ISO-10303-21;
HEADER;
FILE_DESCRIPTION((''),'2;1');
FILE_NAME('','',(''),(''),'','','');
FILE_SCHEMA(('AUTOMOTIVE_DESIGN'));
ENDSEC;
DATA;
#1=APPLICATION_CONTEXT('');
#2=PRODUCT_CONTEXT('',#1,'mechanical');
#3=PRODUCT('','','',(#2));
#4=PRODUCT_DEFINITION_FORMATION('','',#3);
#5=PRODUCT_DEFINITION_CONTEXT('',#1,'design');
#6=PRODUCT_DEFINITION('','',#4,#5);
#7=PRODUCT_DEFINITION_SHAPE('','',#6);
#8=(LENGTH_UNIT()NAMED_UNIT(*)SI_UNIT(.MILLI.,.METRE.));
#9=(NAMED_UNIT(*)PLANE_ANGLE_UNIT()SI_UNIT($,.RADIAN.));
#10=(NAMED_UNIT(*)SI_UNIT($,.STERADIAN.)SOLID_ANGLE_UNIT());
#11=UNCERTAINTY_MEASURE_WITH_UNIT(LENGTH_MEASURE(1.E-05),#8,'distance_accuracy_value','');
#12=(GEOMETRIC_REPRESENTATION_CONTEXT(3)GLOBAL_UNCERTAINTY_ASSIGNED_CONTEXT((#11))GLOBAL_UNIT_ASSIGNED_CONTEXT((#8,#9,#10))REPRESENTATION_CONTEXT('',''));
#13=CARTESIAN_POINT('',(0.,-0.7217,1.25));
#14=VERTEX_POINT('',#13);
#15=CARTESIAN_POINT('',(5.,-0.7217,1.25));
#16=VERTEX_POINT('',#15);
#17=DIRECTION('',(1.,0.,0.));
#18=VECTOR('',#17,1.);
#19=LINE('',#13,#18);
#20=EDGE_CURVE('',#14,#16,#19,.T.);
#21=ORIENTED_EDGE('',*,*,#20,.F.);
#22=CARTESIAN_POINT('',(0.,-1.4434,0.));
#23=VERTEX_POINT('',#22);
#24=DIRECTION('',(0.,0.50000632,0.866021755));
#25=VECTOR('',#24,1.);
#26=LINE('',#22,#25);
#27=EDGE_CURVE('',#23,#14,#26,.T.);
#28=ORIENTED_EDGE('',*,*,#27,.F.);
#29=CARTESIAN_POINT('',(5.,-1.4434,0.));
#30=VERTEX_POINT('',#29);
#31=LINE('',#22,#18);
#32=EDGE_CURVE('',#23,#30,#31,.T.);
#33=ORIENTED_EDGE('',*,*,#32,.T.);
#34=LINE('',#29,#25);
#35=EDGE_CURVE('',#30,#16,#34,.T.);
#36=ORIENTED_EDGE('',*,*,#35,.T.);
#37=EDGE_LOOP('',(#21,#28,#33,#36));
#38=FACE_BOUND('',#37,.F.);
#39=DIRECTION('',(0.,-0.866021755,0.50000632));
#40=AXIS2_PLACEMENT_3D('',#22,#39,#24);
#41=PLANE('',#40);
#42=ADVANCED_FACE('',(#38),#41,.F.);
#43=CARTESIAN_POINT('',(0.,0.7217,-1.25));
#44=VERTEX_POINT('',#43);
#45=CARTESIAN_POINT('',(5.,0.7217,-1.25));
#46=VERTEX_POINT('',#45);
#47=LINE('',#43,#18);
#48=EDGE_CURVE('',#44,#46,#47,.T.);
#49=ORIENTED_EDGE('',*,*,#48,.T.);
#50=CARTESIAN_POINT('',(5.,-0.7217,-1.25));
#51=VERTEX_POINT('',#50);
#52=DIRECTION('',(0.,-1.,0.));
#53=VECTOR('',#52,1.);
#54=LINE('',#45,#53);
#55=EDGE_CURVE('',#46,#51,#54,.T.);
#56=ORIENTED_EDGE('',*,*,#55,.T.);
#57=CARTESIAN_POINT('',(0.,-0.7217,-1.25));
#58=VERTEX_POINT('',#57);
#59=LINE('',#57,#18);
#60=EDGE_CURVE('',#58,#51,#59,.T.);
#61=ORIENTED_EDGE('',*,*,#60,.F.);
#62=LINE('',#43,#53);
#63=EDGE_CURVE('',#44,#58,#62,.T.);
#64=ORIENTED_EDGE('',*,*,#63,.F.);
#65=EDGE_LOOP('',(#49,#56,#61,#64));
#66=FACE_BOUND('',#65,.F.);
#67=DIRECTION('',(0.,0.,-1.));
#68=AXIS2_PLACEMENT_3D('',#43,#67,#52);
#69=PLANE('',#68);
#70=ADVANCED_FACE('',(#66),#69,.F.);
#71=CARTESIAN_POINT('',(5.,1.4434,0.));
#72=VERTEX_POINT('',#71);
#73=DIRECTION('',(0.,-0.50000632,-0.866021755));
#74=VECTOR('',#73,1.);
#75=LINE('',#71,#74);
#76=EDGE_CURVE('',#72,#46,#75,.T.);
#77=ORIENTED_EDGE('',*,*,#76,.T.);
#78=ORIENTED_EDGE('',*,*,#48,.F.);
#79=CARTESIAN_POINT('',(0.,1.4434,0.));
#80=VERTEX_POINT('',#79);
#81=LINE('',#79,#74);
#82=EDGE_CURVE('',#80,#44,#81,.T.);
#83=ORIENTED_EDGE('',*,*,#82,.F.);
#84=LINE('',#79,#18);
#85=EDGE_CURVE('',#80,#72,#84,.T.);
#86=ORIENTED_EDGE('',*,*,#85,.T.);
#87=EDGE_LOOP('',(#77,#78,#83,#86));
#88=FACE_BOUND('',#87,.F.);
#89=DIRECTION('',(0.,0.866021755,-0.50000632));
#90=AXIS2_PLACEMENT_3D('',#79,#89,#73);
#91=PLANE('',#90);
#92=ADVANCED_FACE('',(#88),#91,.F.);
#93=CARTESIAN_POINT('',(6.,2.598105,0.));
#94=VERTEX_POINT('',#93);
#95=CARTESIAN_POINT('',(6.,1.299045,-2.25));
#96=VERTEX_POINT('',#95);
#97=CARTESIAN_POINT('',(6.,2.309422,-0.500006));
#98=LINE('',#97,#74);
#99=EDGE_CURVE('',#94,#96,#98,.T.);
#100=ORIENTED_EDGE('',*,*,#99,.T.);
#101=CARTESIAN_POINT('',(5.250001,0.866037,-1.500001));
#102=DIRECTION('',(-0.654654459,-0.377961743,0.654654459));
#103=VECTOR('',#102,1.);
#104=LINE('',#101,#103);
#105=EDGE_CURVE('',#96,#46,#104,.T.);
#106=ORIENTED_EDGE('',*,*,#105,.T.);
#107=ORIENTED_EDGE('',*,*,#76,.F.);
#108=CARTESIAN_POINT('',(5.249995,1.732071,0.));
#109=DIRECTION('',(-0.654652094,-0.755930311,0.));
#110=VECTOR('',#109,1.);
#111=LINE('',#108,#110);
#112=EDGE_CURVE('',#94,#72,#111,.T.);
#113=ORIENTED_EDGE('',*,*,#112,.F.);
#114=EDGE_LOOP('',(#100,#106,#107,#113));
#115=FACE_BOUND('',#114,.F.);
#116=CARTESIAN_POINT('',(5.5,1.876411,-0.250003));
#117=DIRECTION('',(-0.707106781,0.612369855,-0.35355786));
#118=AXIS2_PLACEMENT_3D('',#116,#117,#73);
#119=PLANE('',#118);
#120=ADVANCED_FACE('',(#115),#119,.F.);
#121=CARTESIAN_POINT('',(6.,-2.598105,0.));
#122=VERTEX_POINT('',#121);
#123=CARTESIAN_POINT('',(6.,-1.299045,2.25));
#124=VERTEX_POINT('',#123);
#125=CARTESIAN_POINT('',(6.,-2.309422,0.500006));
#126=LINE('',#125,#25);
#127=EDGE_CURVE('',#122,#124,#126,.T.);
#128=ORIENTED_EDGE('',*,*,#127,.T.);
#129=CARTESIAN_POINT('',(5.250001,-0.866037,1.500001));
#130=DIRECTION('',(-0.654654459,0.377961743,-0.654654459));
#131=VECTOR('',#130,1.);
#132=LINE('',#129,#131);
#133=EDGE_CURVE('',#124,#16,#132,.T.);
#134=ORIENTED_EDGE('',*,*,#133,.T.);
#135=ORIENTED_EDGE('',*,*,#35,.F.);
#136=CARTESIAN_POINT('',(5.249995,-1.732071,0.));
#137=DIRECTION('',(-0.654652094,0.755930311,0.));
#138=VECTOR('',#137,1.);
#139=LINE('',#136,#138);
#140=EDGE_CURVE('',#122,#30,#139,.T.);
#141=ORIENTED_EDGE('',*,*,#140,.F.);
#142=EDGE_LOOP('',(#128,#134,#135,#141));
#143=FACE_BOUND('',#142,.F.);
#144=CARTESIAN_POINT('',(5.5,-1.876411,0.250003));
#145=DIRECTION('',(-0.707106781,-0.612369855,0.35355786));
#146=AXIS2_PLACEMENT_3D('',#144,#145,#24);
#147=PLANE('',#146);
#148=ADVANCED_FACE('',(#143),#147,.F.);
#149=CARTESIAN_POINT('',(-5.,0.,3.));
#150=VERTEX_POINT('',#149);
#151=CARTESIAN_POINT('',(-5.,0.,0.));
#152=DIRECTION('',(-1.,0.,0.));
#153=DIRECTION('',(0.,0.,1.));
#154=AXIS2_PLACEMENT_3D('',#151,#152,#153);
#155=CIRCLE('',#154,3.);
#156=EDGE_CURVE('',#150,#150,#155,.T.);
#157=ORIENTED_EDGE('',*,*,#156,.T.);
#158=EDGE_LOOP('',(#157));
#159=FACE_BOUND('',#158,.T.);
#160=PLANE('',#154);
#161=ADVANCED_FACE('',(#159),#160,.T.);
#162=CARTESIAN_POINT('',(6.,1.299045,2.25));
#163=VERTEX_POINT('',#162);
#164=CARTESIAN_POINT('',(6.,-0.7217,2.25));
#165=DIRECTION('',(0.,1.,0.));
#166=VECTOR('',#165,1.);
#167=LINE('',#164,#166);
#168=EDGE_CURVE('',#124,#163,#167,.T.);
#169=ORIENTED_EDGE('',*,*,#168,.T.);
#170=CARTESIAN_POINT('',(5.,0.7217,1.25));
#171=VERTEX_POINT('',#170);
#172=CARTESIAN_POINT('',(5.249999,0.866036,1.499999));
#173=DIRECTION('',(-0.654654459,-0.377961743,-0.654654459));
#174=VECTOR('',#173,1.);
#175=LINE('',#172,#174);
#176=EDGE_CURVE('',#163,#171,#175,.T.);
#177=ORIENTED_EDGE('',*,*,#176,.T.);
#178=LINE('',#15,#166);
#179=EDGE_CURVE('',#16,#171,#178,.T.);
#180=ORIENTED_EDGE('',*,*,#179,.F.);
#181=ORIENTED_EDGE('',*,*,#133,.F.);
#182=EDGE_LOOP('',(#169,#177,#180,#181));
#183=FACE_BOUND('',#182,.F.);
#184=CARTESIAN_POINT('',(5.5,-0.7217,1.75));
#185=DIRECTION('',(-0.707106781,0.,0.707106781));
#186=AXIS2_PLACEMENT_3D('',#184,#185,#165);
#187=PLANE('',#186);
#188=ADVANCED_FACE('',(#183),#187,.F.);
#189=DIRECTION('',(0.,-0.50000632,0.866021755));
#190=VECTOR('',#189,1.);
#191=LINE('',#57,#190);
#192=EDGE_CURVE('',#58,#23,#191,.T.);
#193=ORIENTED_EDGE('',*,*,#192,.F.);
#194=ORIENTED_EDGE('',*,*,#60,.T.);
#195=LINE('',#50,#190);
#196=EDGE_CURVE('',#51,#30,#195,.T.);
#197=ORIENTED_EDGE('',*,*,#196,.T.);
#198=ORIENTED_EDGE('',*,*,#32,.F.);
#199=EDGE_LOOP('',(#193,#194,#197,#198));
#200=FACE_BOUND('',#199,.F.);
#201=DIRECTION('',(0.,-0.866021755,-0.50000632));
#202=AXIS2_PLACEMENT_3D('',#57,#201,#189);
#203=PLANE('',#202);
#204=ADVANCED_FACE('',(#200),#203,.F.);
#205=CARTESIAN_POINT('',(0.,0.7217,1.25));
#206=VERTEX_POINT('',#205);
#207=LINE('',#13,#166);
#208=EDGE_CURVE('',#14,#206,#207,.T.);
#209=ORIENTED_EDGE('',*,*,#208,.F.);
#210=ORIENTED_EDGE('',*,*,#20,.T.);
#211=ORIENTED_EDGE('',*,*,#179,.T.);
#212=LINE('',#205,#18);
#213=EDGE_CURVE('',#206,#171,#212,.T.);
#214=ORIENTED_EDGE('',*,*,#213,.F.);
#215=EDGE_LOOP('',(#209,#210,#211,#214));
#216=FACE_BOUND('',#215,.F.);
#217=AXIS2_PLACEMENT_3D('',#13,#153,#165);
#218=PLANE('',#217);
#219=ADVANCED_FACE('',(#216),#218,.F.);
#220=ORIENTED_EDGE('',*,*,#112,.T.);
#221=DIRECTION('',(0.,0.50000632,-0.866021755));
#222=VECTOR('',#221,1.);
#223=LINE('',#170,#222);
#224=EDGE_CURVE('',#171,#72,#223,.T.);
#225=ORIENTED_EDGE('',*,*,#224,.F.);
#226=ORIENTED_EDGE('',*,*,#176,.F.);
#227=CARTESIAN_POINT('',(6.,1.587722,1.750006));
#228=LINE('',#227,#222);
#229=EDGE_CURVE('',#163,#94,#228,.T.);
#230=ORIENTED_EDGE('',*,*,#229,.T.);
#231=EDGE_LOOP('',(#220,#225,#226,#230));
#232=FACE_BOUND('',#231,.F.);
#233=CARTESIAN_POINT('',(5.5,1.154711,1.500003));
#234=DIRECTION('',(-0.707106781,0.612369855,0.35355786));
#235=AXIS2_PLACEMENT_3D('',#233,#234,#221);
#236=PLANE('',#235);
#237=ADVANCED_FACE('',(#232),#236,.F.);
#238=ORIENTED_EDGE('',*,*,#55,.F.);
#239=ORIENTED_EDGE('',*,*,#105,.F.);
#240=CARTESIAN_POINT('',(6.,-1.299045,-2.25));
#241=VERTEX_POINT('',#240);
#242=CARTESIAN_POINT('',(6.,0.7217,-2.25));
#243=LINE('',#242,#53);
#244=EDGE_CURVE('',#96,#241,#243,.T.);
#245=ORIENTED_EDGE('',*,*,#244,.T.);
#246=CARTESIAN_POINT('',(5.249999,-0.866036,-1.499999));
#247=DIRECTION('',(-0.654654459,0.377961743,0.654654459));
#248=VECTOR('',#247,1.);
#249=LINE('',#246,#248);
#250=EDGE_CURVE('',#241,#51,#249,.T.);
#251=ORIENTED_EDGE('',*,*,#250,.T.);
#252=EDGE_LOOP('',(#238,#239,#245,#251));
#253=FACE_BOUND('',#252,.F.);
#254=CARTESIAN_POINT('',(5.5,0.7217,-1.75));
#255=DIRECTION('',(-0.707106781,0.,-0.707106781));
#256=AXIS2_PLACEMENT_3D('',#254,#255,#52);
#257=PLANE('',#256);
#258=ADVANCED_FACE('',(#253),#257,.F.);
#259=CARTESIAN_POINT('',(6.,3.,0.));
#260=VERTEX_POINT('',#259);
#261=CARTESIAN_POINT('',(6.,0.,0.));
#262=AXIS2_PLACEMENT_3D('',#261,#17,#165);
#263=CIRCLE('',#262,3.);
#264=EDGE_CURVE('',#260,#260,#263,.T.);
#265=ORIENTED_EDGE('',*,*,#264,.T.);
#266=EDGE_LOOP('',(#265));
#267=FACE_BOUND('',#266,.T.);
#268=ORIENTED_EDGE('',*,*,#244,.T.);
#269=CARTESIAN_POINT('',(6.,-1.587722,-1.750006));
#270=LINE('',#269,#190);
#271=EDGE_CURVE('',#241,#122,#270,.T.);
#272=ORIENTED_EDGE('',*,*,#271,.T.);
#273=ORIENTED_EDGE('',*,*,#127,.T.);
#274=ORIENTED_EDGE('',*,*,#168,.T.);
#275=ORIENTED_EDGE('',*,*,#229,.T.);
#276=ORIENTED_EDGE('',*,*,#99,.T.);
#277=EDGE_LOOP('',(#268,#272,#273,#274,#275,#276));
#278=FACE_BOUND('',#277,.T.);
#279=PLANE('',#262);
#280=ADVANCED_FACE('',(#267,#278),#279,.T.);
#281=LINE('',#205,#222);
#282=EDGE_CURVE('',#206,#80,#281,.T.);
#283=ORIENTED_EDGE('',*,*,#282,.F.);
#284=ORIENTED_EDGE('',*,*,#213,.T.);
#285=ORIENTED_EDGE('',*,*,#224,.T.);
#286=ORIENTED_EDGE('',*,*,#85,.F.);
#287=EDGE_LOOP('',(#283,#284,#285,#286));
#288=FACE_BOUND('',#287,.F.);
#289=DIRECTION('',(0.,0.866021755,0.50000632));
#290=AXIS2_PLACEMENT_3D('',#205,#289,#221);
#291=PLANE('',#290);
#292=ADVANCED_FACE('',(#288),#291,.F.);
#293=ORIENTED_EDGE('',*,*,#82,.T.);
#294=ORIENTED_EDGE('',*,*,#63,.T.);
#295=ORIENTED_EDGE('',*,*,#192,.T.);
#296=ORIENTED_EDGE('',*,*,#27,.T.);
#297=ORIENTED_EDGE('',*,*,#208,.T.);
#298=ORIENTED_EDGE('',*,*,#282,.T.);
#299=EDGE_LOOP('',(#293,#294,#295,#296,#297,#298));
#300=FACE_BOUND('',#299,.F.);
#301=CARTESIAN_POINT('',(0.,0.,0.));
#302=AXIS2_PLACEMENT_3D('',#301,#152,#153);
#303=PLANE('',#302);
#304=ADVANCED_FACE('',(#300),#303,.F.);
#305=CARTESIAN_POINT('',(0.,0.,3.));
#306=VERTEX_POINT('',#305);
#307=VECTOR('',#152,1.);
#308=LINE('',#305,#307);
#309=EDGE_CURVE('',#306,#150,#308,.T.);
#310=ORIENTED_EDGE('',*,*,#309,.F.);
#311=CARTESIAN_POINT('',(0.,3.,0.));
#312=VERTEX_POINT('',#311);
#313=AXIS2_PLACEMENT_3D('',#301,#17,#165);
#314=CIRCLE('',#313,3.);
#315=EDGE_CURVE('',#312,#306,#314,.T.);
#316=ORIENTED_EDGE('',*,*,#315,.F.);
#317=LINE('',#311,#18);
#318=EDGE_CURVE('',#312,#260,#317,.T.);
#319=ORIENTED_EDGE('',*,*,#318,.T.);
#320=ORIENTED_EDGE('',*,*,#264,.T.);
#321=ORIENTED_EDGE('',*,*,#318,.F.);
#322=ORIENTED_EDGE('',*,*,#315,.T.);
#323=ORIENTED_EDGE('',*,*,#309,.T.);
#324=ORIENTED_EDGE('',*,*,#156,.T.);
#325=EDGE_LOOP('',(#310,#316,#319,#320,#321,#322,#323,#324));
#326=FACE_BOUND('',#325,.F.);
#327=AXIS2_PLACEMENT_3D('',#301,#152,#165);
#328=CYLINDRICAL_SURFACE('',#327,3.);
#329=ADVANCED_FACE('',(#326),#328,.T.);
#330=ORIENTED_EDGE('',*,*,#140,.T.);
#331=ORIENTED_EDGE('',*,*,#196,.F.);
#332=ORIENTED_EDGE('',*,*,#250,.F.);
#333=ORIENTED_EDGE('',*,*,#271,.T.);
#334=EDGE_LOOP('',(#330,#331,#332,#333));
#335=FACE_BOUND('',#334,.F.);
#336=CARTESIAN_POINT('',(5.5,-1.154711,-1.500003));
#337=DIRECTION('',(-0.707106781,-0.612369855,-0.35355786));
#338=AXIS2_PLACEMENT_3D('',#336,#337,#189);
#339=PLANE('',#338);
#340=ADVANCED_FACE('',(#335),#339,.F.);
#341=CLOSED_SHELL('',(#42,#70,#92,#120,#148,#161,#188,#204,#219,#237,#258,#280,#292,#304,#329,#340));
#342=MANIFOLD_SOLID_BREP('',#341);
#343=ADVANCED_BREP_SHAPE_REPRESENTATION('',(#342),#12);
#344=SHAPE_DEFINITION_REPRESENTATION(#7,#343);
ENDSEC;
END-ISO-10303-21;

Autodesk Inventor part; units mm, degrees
ref_plane "YZ Plane" through (0, 0, 0) normal (1, 0, 0) x (0, 1, 0)
ref_plane "XZ Plane" through (0, 0, 0) normal (0, 1, 0) x (-1, 0, 0)
ref_plane "XY Plane" through (0, 0, 0) normal (0, 0, 1) x (1, 0, 0)
sketch "Skizze1" plane through (0, 0, 0) normal (1, 0, 0) x (0, 1, 0)
  circle A0 centre (0, 0) radius 3
  line L0 (1.4434, 0) -> (0.7217, -1.25)
  line L1 (0.7217, -1.25) -> (-0.7217, -1.25)
  line L2 (-0.7217, -1.25) -> (-1.4434, 0)
  line L3 (-1.4434, 0) -> (-0.7217, 1.25)
  line L4 (-0.7217, 1.25) -> (0.7217, 1.25)
  line L5 (0.7217, 1.25) -> (1.4434, 0)
  point P0 (0, -1.25)
  point P1 (0, 1.25)
  dimension "d0" = 6
  dimension "d1" = 2.5
extrude "Extrusion1" add sketch "Skizze1" along normal blind 6
sketch "Skizze2" plane through (0, 0, 0) normal (-1, 0, 0) x (0, 0, 1)
  circle A0 centre (0, 0) radius 3 projected
  line L0 (0, 1.4434) -> (-1.25, 0.7217) projected
  line L1 (1.25, 0.7217) -> (0, 1.4434) projected
  line L2 (1.25, -0.7217) -> (1.25, 0.7217) projected
  line L3 (0, -1.4434) -> (1.25, -0.7217) projected
  line L4 (-1.25, -0.7217) -> (0, -1.4434) projected
  line L5 (-1.25, 0.7217) -> (-1.25, -0.7217) projected
  circle A1 centre (0, 0) radius 3
extrude "Extrusion2" add sketch "Skizze2" along normal blind 5 contours A0 | L1 L2 L3 L4 L5 L0
chamfer "Fase1" distance 1 angle 45 6 edges at (6, 1.0825, 0.625) (6, 1.0825, -0.625) (6, 0, -1.25) (6, -1.0825, -0.625) (6, -1.0825, 0.625) (6, 0, 1.25)
properties part number "40_XYZstage_micrometer_motorized_nema8_zadapter_m2.5nut"
